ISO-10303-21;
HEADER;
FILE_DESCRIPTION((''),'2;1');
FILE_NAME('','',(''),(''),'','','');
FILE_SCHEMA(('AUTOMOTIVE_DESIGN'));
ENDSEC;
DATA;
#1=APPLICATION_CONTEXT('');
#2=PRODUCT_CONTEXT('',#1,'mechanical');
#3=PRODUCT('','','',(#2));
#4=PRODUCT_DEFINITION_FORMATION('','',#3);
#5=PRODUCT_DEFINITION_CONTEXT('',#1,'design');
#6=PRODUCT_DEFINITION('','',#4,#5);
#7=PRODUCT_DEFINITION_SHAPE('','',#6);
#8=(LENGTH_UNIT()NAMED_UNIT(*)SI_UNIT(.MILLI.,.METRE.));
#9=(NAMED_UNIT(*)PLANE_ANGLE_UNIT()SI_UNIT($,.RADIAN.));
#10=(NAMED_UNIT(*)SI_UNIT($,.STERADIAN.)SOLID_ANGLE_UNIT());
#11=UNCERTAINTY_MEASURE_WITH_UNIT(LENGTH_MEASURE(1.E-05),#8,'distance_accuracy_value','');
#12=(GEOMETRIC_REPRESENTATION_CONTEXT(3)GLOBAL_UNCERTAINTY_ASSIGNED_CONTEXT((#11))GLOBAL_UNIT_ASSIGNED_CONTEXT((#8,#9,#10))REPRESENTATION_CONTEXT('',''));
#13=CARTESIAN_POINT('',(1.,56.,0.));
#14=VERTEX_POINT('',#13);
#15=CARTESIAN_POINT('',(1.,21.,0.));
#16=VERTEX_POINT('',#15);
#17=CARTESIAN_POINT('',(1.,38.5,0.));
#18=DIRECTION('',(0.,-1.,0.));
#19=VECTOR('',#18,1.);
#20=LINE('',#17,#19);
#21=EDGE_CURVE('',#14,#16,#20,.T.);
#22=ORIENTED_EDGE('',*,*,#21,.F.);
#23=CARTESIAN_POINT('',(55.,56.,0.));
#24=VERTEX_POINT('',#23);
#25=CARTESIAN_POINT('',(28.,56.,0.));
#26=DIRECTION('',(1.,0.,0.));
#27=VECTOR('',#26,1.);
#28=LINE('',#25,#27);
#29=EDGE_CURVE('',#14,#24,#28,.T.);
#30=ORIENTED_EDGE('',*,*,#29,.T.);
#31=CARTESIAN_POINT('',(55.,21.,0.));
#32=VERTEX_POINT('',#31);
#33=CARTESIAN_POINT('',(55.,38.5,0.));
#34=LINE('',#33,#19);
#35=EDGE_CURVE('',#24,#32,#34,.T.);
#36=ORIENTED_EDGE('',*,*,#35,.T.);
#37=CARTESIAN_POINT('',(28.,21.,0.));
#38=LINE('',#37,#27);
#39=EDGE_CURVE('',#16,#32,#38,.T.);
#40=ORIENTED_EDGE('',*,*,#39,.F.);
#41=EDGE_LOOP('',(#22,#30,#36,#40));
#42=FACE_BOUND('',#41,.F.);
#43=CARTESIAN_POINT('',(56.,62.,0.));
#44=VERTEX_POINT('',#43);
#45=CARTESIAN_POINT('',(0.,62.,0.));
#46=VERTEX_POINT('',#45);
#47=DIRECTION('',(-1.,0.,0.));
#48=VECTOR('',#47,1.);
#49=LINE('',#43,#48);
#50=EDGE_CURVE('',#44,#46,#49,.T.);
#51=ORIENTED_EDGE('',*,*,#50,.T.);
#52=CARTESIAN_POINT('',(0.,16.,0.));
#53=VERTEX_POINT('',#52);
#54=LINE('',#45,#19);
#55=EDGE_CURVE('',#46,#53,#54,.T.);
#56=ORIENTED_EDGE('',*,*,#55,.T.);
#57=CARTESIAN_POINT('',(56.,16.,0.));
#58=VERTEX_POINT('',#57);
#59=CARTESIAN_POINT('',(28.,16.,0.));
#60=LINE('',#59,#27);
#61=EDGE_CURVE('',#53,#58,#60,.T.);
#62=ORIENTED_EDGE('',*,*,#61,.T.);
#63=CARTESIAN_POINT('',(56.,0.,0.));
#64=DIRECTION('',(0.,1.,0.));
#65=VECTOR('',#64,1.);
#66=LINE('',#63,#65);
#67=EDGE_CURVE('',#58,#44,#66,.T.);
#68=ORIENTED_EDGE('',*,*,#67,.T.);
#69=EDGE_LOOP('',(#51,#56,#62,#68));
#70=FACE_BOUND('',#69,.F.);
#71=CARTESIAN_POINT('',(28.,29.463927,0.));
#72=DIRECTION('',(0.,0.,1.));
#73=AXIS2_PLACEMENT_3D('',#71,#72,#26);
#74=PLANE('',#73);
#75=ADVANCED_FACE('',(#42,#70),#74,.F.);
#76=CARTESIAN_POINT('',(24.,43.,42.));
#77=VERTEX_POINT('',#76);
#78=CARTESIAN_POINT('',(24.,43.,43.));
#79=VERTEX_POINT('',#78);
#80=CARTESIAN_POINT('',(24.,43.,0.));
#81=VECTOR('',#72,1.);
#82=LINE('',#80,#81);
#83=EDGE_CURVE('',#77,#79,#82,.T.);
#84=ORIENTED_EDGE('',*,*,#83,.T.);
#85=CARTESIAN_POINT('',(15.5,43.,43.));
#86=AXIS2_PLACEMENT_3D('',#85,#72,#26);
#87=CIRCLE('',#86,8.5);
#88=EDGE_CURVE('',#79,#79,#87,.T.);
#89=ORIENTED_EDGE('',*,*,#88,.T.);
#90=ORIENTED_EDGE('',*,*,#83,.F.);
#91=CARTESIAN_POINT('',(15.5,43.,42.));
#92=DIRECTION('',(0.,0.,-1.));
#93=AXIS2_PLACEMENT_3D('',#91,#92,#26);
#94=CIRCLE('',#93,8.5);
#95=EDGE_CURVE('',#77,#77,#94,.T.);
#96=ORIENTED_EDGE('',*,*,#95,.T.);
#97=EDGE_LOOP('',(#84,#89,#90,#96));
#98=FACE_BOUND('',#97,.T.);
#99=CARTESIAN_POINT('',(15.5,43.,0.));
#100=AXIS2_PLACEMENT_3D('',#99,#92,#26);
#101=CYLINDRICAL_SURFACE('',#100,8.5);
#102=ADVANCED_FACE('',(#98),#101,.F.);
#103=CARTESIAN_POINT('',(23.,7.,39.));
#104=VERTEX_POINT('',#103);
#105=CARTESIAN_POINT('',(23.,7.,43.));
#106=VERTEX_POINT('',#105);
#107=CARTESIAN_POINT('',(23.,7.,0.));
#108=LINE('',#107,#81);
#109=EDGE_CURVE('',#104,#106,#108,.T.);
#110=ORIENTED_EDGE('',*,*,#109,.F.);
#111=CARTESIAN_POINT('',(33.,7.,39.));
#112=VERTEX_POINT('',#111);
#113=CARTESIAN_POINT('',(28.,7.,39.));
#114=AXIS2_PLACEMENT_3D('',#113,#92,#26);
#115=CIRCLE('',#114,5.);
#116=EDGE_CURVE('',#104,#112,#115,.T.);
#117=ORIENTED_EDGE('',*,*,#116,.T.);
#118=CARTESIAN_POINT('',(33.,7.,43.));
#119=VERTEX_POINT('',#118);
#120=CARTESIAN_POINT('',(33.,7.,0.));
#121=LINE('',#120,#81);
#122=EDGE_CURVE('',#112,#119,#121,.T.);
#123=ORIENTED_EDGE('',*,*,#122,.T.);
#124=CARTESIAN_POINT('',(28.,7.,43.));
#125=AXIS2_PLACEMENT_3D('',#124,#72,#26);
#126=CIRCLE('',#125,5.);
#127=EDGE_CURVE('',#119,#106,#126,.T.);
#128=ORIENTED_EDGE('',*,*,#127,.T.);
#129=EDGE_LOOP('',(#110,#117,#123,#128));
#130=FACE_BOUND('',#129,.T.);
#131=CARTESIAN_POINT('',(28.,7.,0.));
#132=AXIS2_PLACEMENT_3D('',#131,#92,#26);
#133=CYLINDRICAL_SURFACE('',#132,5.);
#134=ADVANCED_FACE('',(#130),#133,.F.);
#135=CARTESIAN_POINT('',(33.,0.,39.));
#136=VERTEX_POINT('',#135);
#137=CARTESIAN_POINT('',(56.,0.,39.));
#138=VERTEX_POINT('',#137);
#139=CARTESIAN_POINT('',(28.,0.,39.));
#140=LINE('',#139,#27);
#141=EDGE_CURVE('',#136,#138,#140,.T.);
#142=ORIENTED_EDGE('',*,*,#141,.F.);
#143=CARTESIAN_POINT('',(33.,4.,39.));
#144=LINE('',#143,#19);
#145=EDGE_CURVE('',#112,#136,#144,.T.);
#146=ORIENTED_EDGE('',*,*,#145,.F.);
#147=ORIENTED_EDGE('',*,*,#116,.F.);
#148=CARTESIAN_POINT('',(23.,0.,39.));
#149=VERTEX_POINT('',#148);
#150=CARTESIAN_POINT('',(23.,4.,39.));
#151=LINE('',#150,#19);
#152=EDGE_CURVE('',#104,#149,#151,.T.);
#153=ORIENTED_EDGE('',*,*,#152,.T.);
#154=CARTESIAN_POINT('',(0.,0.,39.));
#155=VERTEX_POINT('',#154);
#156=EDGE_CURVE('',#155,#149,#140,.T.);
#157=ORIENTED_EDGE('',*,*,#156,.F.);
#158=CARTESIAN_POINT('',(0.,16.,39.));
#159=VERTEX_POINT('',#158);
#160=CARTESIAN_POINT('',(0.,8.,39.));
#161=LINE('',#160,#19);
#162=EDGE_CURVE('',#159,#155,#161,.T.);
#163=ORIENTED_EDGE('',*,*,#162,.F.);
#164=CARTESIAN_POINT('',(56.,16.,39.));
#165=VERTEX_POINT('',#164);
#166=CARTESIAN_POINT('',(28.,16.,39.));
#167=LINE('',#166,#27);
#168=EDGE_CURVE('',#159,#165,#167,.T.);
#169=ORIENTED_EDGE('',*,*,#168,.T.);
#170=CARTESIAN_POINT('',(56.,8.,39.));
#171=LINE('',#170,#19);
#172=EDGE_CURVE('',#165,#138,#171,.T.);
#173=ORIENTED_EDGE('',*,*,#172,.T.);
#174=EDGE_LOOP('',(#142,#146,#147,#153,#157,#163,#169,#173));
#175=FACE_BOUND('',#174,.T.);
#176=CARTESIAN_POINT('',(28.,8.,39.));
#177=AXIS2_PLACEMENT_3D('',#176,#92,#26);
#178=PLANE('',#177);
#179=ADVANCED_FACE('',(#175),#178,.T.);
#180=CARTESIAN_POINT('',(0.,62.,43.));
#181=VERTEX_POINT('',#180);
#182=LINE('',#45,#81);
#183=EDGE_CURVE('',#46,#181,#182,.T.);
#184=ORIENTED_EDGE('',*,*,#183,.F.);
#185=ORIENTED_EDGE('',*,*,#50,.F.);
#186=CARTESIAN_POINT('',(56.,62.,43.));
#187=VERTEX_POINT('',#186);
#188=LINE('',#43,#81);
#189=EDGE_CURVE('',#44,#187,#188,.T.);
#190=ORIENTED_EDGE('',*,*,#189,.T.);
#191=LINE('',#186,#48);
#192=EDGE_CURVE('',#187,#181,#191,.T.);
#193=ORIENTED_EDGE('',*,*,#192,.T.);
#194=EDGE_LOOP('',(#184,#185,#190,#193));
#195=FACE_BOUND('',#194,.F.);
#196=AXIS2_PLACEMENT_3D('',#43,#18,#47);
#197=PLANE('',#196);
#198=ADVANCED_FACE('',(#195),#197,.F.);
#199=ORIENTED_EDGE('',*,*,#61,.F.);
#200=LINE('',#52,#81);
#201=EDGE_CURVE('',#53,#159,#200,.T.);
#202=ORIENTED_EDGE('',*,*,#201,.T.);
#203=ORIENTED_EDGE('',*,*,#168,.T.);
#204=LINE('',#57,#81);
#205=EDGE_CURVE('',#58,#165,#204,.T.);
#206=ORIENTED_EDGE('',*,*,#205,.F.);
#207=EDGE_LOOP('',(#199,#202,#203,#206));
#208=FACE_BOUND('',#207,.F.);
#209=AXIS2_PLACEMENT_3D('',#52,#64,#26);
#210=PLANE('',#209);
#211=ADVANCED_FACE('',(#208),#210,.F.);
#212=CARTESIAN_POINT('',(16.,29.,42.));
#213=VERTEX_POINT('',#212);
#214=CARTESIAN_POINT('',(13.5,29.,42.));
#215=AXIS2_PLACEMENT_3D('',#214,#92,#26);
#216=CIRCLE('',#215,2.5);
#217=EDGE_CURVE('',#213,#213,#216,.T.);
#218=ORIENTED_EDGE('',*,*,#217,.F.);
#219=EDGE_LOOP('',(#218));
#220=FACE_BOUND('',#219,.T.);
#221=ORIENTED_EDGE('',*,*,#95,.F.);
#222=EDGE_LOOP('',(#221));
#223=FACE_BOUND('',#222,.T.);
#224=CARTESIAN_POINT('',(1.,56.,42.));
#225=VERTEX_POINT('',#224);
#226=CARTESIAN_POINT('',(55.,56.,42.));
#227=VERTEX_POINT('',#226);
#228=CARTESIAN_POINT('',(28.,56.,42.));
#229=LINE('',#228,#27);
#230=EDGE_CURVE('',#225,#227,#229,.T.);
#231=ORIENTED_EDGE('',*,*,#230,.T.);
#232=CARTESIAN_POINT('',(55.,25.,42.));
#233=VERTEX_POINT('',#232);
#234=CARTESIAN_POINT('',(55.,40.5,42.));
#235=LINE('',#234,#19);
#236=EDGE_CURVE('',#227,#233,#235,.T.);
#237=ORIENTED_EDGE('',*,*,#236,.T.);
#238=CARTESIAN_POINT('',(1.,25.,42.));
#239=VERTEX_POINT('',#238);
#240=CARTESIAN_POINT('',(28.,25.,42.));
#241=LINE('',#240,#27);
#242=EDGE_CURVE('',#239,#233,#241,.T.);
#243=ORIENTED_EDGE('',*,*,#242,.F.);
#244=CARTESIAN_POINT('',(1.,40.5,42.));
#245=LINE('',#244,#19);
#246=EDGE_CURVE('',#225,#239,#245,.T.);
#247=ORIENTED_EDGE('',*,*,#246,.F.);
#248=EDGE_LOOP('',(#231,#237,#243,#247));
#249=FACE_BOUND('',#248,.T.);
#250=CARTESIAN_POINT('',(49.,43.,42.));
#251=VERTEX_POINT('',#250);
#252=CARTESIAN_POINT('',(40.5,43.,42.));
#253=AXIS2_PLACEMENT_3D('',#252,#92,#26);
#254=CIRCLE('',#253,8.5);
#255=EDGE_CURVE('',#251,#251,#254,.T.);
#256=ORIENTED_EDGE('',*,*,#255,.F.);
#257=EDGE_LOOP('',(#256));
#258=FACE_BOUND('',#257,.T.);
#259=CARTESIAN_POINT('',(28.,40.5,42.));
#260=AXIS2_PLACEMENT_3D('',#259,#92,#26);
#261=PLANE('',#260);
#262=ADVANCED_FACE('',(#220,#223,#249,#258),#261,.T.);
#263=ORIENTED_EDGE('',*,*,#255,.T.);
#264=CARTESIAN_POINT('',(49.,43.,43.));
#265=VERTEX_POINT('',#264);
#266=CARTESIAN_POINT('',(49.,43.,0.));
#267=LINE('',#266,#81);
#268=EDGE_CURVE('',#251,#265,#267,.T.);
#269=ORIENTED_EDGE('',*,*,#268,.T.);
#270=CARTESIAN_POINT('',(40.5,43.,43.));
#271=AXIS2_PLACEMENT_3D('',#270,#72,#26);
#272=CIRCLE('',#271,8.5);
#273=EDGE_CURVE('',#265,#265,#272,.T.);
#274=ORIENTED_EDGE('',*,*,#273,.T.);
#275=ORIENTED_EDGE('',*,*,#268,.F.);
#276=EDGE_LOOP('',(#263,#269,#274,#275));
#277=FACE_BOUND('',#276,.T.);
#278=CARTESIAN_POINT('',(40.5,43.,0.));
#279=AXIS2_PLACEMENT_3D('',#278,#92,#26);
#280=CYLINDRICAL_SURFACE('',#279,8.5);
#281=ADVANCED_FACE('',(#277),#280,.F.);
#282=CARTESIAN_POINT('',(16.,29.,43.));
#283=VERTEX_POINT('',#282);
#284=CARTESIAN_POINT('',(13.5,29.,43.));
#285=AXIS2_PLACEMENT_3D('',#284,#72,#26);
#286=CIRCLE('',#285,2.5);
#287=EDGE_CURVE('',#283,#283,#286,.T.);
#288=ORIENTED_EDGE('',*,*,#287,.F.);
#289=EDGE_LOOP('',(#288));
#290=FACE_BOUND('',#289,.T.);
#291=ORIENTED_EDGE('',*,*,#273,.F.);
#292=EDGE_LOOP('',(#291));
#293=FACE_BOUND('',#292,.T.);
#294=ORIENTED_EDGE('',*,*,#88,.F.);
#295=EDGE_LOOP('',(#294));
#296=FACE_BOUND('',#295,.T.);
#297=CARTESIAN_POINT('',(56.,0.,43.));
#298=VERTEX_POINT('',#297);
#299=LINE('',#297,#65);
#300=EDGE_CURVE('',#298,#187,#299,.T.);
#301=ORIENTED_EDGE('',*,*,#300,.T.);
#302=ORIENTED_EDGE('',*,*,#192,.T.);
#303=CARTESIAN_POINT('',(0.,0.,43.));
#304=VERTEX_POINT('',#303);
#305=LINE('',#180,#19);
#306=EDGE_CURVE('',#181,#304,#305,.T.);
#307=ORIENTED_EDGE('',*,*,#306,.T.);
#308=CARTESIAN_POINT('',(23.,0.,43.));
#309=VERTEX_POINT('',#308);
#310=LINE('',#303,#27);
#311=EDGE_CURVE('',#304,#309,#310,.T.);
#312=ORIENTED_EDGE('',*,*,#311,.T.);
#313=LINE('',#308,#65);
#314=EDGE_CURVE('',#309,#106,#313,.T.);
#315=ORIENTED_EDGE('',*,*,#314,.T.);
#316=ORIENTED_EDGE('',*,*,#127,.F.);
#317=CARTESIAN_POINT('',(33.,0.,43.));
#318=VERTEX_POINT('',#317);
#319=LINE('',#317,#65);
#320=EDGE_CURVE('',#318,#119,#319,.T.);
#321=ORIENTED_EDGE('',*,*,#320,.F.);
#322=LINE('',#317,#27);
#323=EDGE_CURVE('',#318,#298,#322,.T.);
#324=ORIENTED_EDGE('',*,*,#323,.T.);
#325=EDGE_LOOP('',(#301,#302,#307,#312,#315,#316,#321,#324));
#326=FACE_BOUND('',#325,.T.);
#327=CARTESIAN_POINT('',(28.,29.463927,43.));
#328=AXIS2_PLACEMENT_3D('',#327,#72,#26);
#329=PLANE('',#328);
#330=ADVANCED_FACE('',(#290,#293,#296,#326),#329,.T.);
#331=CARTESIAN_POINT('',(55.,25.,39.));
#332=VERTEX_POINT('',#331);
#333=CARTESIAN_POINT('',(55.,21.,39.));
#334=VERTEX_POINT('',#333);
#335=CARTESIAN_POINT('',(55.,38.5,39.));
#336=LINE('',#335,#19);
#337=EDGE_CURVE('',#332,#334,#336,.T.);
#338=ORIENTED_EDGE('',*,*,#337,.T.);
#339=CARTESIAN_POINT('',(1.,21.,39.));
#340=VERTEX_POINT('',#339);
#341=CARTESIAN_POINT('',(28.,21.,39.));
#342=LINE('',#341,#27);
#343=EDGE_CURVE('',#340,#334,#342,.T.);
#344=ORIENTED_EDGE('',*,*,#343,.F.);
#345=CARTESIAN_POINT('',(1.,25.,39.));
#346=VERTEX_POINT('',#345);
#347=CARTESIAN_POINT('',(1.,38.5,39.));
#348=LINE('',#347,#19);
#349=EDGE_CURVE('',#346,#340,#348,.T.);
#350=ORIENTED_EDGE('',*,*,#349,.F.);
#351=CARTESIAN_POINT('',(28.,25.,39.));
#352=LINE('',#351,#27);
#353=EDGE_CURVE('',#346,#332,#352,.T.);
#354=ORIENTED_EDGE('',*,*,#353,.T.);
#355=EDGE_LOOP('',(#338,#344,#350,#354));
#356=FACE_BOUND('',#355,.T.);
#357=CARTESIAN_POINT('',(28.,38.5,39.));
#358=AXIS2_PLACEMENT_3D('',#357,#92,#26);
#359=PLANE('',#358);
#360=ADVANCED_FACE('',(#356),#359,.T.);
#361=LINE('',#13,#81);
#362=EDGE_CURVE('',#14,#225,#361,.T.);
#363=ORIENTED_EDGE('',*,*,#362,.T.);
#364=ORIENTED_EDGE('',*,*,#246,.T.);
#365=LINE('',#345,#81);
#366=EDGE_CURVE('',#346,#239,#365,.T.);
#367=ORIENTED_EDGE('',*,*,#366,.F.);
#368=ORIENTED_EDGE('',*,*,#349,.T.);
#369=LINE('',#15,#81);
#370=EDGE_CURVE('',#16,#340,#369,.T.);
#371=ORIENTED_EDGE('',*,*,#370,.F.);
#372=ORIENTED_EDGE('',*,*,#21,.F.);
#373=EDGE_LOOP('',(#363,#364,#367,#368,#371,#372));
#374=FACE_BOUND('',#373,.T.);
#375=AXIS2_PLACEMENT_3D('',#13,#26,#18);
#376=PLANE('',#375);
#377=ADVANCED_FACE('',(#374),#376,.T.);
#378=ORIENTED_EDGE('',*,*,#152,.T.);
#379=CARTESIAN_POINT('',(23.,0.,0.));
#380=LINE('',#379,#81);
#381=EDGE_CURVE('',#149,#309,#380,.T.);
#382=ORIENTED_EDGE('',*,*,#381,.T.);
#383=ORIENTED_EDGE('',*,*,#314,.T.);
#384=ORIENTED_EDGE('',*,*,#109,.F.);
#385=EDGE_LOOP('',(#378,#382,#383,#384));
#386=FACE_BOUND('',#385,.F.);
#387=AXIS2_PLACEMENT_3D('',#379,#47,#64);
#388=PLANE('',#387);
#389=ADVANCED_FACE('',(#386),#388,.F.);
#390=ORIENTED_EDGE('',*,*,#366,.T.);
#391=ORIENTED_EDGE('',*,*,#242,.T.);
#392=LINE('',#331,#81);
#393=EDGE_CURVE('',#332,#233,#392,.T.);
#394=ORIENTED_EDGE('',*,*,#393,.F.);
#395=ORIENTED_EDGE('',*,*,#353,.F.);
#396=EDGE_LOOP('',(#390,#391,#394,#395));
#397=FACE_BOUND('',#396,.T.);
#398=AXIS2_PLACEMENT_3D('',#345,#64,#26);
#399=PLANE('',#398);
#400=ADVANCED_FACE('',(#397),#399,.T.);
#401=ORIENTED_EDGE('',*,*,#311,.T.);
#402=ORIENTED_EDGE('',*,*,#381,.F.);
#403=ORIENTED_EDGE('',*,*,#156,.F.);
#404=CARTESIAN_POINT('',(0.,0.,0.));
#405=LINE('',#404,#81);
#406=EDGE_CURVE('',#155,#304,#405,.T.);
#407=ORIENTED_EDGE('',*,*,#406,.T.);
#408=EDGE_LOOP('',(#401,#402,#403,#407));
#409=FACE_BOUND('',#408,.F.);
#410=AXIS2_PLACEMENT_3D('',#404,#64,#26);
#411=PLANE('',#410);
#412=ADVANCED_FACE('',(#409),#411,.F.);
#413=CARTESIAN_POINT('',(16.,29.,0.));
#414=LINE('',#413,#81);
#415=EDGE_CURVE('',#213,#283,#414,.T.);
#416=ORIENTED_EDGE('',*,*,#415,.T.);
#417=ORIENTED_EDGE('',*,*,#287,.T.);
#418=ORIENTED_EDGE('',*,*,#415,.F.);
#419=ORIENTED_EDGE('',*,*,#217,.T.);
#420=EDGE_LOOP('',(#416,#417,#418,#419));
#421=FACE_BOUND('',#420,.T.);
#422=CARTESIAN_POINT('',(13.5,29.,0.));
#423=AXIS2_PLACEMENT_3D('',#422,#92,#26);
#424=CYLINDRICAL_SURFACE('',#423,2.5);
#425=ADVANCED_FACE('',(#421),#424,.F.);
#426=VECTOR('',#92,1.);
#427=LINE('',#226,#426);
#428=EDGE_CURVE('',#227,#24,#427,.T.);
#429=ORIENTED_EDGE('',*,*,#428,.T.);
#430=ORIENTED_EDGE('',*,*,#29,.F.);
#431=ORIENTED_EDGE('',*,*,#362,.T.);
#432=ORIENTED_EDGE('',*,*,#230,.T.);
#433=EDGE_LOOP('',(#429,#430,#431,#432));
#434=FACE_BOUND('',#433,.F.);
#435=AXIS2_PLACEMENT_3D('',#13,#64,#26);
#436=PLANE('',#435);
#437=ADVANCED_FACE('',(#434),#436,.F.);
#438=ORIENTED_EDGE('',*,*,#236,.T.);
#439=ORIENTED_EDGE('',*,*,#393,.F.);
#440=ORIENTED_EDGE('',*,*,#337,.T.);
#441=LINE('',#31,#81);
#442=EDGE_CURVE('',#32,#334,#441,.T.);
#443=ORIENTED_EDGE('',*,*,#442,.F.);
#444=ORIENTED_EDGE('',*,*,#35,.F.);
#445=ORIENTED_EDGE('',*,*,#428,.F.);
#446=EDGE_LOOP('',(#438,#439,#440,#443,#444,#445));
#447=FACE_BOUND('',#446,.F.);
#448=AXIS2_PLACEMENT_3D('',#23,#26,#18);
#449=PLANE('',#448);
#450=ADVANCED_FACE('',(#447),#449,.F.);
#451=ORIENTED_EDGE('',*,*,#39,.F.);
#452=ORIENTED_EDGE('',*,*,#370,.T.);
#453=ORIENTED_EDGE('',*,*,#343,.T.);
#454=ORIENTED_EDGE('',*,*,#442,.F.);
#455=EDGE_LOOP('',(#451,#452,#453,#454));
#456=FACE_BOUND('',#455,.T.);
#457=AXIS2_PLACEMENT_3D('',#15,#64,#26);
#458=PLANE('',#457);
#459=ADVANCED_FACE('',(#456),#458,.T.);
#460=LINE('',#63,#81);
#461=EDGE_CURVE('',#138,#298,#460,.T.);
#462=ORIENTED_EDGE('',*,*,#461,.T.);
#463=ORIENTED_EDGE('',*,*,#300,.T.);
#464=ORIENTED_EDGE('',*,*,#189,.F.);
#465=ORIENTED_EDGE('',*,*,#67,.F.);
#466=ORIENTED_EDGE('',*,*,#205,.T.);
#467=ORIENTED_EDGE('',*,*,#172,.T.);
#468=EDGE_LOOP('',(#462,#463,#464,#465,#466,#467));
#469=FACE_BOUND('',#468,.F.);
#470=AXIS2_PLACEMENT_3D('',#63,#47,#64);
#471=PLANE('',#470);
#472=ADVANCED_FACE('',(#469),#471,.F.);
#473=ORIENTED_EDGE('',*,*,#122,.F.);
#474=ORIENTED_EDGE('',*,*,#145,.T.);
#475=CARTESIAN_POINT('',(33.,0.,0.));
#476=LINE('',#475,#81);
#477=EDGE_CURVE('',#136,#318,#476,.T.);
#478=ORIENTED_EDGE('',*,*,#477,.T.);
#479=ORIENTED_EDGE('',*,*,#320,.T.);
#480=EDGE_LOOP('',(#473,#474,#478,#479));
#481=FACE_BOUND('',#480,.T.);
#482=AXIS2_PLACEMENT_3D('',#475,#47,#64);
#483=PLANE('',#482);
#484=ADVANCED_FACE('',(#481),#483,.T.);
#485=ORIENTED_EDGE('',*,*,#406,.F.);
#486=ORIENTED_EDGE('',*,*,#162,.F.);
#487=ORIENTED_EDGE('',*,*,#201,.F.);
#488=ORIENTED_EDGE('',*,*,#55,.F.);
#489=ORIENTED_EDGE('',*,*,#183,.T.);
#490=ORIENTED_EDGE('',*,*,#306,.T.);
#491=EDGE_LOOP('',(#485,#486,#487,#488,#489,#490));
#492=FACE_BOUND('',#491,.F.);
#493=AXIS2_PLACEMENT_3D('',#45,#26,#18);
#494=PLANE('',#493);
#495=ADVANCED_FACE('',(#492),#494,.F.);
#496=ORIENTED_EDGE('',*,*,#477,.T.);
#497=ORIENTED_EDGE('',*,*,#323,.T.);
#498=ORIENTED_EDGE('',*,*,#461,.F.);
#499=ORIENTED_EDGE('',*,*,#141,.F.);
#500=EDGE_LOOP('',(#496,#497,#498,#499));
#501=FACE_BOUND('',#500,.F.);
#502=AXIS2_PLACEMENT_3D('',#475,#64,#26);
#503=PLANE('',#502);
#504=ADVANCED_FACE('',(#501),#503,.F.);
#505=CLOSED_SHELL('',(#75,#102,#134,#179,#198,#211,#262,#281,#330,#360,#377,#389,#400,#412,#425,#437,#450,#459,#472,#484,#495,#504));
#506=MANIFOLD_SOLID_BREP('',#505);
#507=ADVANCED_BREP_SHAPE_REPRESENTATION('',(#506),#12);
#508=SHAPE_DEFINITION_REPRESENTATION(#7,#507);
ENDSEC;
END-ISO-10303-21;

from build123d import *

# Parameters (mm, degrees)
SKETCH_R        = 8.5
SKETCH_R_2      = 2.5
PAD_DEPTH       = 43
SKETCH004_W     = 56
SKETCH004_H     = 16
SKETCH004_W_2   = 54
SKETCH004_H_2   = 35
POCKET_DEPTH    = 39
SKETCH006_W     = 54
SKETCH006_H     = 31
POCKET004_DEPTH = 3


with BuildPart() as part:
    # Sketch → Pad (new body)
    with BuildSketch(Plane.XY):
        with BuildLine():
            Line((56, 0), (56, 62))
            Line((56, 62), (0, 62))
            Line((0, 62), (0, 0))
            Line((0, 0), (23, 0))
            Line((23, 0), (23, 7))
            ThreePointArc((33, 7), (28, 12), (23, 7))
            Line((33, 0), (33, 7))
            Line((33, 0), (56, 0))
        make_face()
        with Locations((15.5, 43)):
            Circle(SKETCH_R, mode=Mode.SUBTRACT)
        with Locations((40.5, 43)):
            Circle(SKETCH_R, mode=Mode.SUBTRACT)
        with Locations((13.5, 29)):
            Circle(SKETCH_R_2, mode=Mode.SUBTRACT)
    extrude(amount=PAD_DEPTH)

    # Sketch004 (on Face12 of Pad) → Pocket (cut)
    with BuildSketch(Plane(origin=(0, 0, 0), x_dir=(1, 0, 0), z_dir=(0, 0, -1))):
        with Locations((28, -8)):
            Rectangle(SKETCH004_W, SKETCH004_H)
        with Locations((28, -38.5)):
            Rectangle(SKETCH004_W_2, SKETCH004_H_2)
    extrude(amount=-POCKET_DEPTH, mode=Mode.SUBTRACT)

    # Sketch006 (on Face20 of Pocket) → Pocket004 (cut)
    with BuildSketch(Plane(origin=(0, 0, 39), x_dir=(1, 0, 0), z_dir=(0, 0, -1))):
        with Locations((28, -40.5)):
            Rectangle(SKETCH006_W, SKETCH006_H)
    extrude(amount=-POCKET004_DEPTH, mode=Mode.SUBTRACT)


solid = part.part
